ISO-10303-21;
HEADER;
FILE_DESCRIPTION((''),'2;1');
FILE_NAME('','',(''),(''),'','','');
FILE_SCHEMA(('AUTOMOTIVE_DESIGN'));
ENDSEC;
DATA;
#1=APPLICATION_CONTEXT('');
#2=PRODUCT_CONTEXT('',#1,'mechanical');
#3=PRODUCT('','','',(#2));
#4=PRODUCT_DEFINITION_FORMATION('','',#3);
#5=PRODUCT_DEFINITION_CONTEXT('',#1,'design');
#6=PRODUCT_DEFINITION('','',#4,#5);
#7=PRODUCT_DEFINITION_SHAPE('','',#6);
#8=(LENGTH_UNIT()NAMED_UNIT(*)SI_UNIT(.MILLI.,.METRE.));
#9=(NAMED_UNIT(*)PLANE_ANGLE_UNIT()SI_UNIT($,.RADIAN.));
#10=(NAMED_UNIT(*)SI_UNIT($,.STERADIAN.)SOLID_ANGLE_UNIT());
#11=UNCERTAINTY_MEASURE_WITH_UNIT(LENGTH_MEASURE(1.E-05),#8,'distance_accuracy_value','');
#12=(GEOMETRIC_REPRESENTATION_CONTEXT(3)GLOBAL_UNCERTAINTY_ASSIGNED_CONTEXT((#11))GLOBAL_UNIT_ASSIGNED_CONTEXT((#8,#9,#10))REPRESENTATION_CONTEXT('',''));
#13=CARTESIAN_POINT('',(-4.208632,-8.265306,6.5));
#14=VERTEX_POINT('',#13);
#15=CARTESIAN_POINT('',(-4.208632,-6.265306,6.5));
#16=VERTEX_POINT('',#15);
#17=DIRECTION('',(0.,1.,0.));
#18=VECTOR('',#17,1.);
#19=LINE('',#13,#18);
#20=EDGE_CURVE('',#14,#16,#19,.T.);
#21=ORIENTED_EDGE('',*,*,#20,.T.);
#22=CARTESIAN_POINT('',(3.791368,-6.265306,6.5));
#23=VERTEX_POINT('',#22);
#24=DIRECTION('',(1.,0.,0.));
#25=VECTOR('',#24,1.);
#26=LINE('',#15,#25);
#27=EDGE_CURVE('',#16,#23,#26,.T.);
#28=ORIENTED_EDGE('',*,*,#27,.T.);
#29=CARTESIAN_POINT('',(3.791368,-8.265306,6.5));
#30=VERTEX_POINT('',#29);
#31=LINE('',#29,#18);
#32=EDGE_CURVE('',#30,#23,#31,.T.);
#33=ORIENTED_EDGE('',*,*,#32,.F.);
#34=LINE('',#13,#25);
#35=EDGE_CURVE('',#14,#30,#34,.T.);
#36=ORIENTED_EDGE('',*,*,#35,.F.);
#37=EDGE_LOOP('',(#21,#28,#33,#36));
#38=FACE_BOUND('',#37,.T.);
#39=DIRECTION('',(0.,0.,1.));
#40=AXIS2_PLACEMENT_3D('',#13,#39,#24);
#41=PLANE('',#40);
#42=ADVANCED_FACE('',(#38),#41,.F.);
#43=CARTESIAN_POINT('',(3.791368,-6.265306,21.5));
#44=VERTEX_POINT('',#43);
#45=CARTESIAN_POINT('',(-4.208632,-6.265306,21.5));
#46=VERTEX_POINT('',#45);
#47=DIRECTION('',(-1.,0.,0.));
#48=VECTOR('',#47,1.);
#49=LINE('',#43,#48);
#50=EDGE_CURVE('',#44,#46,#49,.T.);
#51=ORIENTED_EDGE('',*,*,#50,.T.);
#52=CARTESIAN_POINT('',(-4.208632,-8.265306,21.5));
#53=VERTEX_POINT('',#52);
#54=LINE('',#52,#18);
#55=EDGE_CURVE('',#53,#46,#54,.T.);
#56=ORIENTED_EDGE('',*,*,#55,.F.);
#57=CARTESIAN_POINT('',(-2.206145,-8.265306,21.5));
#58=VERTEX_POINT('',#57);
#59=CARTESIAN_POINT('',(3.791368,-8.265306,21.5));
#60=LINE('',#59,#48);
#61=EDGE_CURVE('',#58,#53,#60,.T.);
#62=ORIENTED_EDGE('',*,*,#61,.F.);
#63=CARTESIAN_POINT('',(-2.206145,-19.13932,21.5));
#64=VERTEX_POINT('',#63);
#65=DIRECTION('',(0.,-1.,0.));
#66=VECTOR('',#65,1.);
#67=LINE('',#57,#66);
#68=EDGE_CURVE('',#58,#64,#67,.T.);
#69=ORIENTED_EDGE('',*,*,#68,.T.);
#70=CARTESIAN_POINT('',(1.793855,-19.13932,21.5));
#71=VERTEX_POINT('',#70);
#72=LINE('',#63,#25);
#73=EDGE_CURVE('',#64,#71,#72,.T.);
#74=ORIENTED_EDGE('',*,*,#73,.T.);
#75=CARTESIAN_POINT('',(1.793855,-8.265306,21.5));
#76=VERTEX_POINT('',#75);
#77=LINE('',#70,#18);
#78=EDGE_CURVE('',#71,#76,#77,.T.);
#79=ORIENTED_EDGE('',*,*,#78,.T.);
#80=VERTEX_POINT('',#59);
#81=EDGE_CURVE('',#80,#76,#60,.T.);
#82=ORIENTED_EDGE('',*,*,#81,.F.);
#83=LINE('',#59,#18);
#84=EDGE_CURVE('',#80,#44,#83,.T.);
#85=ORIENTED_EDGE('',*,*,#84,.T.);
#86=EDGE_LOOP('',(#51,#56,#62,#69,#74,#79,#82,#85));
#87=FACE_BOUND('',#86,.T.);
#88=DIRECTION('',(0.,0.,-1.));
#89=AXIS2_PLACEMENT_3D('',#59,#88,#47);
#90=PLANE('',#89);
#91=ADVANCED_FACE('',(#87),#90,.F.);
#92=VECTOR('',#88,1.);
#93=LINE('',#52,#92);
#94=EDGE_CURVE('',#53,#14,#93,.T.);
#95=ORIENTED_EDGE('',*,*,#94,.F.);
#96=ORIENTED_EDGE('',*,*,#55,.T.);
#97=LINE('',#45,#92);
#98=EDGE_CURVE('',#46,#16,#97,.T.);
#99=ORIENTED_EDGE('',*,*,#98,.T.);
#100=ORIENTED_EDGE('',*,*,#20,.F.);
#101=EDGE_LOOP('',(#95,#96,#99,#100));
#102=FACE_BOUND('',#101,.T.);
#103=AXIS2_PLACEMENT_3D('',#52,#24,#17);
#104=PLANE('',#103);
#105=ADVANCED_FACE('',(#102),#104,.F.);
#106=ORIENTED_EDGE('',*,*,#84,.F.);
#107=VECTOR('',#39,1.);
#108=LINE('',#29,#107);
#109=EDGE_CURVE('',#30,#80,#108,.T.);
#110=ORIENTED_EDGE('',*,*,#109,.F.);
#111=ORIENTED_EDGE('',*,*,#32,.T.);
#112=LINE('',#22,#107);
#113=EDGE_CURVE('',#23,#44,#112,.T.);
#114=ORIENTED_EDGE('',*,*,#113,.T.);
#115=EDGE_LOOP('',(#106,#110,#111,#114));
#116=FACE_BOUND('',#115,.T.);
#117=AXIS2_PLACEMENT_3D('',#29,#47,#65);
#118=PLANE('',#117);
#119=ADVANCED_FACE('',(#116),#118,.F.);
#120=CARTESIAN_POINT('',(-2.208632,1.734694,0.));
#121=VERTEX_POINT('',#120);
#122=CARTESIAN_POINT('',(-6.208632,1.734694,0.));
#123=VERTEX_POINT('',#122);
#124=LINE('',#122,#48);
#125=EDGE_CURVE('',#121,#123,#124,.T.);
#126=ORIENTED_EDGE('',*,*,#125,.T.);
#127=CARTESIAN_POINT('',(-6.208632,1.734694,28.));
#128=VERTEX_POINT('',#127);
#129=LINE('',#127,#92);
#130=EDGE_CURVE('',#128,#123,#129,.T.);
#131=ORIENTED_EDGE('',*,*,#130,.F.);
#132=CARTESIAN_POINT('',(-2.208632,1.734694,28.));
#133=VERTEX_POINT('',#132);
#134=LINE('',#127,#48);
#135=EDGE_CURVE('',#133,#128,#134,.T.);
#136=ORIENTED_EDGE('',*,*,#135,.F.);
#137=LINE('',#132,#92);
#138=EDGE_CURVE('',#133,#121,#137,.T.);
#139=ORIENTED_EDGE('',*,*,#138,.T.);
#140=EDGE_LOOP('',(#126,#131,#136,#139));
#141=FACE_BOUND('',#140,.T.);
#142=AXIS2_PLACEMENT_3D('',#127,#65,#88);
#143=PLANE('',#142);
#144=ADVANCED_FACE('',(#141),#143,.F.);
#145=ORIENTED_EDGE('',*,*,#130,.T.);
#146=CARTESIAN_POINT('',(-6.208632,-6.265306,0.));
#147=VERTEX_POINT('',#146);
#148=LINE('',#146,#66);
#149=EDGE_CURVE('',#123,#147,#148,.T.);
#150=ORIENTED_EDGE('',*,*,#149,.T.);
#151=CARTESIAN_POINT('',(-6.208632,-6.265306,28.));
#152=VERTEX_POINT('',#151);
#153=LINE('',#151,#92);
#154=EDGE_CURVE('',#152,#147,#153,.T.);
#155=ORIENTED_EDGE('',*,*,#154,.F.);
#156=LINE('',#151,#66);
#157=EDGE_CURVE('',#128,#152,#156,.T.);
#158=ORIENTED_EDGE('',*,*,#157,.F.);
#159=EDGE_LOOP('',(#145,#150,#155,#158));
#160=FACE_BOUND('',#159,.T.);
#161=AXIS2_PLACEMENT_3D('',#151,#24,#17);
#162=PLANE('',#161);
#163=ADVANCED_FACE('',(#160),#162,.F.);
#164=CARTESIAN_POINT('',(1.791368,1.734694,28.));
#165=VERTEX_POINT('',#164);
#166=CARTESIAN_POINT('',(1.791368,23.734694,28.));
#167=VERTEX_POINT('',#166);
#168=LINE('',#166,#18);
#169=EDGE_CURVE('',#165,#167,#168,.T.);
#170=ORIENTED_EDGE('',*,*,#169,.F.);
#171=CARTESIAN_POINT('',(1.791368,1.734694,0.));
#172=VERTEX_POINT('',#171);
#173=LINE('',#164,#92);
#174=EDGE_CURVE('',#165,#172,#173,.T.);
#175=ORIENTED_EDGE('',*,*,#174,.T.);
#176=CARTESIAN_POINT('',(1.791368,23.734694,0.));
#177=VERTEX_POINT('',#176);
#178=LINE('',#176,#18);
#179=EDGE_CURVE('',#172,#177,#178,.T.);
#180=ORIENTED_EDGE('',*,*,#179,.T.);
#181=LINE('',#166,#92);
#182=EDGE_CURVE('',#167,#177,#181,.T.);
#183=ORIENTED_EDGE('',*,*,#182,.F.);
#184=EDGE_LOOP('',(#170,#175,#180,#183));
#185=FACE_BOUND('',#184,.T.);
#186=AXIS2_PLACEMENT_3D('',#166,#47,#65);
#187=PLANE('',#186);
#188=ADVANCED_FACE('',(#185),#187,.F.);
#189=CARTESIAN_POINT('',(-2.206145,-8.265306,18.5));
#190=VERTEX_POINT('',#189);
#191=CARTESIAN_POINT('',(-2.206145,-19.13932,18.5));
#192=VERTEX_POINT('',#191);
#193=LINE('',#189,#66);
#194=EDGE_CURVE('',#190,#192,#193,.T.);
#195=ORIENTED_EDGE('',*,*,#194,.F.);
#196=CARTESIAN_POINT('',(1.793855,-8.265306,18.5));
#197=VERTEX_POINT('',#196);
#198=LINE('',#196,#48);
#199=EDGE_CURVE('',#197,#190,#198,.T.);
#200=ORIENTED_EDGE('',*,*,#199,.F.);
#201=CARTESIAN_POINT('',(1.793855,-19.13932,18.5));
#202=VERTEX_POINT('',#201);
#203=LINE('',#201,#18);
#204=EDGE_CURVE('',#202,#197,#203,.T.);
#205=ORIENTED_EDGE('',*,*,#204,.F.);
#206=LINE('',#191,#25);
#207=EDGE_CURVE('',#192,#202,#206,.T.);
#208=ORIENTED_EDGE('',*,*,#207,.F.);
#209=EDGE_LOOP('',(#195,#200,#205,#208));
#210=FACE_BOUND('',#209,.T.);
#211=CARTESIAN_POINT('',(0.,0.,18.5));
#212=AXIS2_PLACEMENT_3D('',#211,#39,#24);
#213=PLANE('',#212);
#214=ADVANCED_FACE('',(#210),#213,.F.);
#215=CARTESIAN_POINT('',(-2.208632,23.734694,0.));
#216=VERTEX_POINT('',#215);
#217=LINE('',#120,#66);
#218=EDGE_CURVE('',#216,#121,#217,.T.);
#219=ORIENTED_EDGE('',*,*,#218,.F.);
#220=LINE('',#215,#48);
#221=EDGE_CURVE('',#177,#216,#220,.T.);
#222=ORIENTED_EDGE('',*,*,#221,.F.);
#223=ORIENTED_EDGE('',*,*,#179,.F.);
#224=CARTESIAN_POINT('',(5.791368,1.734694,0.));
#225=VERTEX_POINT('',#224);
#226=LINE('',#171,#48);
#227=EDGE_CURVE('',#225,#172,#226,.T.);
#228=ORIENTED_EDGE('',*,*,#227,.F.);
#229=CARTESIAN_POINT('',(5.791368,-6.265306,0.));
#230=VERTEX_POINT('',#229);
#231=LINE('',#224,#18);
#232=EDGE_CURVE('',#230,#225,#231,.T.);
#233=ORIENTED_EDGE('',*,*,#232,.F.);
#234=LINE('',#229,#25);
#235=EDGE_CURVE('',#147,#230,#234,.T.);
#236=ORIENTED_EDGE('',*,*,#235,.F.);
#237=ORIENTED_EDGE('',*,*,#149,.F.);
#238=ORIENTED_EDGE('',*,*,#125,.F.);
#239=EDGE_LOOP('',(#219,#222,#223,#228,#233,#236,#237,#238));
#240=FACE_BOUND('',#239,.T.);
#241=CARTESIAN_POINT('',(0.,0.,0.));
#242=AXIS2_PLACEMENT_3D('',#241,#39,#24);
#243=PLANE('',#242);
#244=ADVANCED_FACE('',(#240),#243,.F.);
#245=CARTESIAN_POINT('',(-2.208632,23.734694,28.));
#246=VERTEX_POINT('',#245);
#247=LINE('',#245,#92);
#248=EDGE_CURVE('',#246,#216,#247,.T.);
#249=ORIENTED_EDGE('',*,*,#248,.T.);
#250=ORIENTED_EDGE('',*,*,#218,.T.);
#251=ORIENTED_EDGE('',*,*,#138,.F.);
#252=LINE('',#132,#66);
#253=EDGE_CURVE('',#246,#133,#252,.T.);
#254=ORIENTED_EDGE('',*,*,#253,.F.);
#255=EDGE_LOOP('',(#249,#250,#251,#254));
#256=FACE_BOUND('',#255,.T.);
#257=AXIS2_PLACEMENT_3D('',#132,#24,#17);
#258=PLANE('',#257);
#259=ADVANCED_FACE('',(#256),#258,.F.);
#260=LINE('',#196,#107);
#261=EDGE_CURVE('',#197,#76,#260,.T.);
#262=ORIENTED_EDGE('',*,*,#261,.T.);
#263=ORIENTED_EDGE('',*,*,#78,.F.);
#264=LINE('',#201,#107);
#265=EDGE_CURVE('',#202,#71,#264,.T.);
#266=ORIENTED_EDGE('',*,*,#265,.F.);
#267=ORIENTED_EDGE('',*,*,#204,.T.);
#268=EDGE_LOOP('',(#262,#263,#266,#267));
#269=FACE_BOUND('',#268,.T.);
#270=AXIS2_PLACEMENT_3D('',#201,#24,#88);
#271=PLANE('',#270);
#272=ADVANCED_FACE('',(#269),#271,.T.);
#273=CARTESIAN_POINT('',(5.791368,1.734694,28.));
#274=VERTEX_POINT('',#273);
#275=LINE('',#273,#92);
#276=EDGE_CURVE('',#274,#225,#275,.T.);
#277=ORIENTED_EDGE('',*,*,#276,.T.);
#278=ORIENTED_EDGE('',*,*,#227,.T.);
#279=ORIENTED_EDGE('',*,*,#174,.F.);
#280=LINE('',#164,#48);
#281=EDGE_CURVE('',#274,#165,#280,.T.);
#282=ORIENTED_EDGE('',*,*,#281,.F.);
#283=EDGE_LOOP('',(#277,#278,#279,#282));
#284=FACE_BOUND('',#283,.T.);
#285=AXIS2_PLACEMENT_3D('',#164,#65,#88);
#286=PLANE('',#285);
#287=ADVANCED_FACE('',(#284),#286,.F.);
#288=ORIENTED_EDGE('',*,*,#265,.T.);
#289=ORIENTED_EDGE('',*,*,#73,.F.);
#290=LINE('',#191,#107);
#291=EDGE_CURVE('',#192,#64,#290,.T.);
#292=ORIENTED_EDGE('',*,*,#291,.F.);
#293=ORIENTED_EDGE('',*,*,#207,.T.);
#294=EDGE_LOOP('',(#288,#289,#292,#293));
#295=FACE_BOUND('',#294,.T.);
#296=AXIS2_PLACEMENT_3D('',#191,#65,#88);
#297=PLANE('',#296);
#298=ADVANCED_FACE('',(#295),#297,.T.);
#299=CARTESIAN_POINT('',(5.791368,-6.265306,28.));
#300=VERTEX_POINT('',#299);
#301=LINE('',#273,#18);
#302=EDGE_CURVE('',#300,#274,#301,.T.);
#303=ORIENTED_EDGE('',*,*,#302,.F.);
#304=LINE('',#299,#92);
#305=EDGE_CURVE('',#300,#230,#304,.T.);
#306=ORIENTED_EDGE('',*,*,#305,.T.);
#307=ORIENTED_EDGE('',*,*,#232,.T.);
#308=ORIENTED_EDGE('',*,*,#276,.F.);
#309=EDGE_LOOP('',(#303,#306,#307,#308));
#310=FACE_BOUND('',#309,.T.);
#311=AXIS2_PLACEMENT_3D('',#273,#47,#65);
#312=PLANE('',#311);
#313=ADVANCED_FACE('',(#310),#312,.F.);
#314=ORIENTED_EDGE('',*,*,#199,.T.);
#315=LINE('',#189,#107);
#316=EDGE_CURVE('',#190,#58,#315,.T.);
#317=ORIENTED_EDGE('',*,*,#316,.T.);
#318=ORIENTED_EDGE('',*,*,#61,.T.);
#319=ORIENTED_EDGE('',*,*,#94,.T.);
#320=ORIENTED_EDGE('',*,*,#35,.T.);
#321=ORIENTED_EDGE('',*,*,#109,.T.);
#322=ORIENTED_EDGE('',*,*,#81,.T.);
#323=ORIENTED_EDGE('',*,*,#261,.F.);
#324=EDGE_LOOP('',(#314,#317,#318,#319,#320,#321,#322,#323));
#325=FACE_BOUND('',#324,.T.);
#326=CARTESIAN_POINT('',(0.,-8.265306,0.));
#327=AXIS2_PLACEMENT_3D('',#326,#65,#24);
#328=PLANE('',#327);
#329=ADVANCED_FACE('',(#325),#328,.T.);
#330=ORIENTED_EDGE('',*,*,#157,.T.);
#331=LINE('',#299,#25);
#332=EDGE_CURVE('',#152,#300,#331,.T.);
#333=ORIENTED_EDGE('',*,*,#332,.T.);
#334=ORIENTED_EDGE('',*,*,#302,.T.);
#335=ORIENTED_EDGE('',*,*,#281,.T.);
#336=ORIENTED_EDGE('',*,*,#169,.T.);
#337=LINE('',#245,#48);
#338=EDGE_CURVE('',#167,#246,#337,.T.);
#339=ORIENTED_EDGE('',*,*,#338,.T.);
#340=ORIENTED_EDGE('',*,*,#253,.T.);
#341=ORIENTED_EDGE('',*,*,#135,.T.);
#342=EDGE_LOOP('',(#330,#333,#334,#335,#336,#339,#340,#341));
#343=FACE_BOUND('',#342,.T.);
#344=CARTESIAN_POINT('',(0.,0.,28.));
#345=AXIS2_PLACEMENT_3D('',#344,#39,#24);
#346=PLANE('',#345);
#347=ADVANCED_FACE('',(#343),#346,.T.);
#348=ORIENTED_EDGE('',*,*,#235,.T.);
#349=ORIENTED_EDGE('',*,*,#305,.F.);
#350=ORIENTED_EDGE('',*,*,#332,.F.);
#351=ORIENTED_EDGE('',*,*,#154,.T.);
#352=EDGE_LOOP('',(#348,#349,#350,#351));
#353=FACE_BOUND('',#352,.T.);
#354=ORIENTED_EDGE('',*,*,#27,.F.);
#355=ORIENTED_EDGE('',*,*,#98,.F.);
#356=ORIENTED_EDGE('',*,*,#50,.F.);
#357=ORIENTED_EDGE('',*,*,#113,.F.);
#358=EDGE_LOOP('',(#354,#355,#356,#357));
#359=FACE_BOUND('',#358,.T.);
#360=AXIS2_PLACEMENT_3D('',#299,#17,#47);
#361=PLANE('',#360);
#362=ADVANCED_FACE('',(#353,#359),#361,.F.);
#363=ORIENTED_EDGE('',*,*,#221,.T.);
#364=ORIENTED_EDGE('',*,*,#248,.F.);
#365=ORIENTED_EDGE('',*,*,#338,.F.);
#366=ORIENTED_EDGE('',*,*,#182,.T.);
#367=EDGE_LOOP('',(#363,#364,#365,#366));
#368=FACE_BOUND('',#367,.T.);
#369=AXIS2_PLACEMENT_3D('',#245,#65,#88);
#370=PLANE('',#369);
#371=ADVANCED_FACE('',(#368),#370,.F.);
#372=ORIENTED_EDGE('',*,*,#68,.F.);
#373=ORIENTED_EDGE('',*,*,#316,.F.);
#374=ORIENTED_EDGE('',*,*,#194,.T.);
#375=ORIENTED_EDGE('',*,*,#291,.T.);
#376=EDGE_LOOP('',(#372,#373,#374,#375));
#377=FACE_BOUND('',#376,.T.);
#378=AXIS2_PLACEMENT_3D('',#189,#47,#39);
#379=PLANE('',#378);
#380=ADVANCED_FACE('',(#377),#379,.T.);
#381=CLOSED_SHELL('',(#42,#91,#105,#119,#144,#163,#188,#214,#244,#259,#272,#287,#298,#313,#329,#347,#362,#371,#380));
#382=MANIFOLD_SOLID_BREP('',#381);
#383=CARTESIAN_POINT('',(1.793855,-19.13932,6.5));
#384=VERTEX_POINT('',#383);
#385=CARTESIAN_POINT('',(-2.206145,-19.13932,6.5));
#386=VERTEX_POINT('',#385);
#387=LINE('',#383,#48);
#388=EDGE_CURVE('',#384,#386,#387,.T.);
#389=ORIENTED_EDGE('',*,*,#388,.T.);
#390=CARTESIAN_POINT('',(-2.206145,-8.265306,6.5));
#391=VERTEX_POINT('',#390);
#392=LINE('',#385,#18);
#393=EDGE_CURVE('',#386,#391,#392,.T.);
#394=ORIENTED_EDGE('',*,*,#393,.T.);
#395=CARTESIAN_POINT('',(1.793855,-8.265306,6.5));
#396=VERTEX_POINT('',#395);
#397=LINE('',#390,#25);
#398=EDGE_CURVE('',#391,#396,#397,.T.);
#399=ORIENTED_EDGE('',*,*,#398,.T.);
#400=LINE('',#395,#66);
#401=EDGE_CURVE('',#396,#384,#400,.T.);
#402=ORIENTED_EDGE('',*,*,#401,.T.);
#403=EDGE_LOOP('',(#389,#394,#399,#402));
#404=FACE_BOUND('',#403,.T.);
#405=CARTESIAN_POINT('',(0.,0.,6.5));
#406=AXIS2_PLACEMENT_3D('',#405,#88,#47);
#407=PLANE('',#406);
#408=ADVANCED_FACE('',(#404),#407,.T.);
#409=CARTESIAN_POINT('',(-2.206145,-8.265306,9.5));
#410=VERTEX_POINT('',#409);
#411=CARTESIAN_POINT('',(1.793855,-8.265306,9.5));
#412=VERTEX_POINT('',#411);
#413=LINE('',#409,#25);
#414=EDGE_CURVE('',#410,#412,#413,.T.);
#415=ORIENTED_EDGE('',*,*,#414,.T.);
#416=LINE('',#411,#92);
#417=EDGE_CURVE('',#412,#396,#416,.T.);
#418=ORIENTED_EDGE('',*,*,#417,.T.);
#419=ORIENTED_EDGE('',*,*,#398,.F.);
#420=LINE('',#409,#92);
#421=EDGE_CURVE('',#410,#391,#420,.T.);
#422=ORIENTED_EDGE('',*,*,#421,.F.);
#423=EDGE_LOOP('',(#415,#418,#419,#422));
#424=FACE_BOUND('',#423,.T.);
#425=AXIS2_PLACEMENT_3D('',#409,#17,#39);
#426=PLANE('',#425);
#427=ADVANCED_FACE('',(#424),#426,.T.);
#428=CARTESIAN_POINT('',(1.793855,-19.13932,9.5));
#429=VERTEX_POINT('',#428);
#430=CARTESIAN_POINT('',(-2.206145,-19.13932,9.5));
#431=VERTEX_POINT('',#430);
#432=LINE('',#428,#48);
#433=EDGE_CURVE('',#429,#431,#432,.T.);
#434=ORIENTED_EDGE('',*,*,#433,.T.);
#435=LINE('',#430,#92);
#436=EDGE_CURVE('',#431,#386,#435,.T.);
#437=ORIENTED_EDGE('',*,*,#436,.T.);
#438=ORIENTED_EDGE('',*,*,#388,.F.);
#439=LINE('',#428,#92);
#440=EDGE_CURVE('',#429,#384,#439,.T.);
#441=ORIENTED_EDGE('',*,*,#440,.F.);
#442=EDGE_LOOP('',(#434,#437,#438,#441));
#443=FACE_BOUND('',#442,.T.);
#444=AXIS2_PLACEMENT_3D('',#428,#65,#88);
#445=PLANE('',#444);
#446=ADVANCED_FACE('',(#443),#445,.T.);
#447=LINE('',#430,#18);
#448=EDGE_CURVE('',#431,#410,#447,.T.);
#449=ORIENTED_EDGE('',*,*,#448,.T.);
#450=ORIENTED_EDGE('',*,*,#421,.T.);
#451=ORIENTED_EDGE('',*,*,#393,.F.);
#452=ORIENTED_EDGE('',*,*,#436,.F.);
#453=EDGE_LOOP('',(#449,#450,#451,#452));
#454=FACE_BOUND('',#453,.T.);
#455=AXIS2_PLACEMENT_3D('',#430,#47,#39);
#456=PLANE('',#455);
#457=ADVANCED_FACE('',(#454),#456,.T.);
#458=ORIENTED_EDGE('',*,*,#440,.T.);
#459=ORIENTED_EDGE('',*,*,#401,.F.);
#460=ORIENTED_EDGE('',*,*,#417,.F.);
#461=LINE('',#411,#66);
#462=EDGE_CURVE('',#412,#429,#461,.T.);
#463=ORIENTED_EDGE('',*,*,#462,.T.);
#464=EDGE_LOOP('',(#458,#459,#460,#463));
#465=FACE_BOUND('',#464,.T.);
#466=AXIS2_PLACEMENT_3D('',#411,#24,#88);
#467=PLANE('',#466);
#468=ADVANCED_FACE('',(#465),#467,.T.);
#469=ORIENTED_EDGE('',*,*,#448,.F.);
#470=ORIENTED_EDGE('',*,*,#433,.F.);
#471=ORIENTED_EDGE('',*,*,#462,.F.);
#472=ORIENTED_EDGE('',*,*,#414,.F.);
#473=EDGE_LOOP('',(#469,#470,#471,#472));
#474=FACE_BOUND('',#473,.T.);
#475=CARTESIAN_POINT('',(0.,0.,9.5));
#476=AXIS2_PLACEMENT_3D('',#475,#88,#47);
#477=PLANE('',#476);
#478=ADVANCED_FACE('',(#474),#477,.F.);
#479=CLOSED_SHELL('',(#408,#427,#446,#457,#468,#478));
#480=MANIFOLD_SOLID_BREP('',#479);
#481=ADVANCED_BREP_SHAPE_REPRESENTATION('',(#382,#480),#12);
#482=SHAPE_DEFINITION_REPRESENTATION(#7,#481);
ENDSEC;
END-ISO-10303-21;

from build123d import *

# Parameters (mm, degrees)
BOSS_EXTRUDE1_DEPTH = 28
SKETCH2_W           = 8
SKETCH2_H           = 15
BOSS_EXTRUDE2_DEPTH = 2
SKETCH3_W           = 4
SKETCH3_H           = 10.874014098
BOSS_EXTRUDE3_DEPTH = 3
SKETCH5_W           = 4
SKETCH5_H           = 10.874014098
BOSS_EXTRUDE4_DEPTH = 3


with BuildPart() as part:
    # Sketch1 → Boss-Extrude1 (new body)
    with BuildSketch(Plane.XY):
        Polygon((-2.208632101, 1.734693878), (-2.208632101, 23.734693878), (1.791367899, 23.734693878), (1.791367899, 1.734693878), (5.791367899, 1.734693878), (5.791367899, -6.265306122), (-6.208632101, -6.265306122), (-6.208632101, 1.734693878), align=None)
    extrude(amount=BOSS_EXTRUDE1_DEPTH)

    # Sketch2 → Boss-Extrude2 (add)
    with BuildSketch(Plane.XZ.offset(6.265306122)):
        with Locations((-0.208632101, 14)):
            Rectangle(SKETCH2_W, SKETCH2_H)
    extrude(amount=BOSS_EXTRUDE2_DEPTH)

    # Sketch3 → Boss-Extrude3 (add)
    with BuildSketch(Plane.XY.offset(21.5)):
        with Locations((-0.20614541, -13.702313171)):
            Rectangle(SKETCH3_W, SKETCH3_H)
    extrude(amount=-BOSS_EXTRUDE3_DEPTH)


with BuildPart() as body_2:
    # Sketch5 → Boss-Extrude4 (new body)
    with BuildSketch(Plane(origin=(0, 0, 6.5), x_dir=(-1, 0, 0), z_dir=(0, 0, -1))):
        with Locations((0.20614541, -13.702313171)):
            Rectangle(SKETCH5_W, SKETCH5_H)
    extrude(amount=-BOSS_EXTRUDE4_DEPTH)


solid = Compound([part.part, body_2.part])
